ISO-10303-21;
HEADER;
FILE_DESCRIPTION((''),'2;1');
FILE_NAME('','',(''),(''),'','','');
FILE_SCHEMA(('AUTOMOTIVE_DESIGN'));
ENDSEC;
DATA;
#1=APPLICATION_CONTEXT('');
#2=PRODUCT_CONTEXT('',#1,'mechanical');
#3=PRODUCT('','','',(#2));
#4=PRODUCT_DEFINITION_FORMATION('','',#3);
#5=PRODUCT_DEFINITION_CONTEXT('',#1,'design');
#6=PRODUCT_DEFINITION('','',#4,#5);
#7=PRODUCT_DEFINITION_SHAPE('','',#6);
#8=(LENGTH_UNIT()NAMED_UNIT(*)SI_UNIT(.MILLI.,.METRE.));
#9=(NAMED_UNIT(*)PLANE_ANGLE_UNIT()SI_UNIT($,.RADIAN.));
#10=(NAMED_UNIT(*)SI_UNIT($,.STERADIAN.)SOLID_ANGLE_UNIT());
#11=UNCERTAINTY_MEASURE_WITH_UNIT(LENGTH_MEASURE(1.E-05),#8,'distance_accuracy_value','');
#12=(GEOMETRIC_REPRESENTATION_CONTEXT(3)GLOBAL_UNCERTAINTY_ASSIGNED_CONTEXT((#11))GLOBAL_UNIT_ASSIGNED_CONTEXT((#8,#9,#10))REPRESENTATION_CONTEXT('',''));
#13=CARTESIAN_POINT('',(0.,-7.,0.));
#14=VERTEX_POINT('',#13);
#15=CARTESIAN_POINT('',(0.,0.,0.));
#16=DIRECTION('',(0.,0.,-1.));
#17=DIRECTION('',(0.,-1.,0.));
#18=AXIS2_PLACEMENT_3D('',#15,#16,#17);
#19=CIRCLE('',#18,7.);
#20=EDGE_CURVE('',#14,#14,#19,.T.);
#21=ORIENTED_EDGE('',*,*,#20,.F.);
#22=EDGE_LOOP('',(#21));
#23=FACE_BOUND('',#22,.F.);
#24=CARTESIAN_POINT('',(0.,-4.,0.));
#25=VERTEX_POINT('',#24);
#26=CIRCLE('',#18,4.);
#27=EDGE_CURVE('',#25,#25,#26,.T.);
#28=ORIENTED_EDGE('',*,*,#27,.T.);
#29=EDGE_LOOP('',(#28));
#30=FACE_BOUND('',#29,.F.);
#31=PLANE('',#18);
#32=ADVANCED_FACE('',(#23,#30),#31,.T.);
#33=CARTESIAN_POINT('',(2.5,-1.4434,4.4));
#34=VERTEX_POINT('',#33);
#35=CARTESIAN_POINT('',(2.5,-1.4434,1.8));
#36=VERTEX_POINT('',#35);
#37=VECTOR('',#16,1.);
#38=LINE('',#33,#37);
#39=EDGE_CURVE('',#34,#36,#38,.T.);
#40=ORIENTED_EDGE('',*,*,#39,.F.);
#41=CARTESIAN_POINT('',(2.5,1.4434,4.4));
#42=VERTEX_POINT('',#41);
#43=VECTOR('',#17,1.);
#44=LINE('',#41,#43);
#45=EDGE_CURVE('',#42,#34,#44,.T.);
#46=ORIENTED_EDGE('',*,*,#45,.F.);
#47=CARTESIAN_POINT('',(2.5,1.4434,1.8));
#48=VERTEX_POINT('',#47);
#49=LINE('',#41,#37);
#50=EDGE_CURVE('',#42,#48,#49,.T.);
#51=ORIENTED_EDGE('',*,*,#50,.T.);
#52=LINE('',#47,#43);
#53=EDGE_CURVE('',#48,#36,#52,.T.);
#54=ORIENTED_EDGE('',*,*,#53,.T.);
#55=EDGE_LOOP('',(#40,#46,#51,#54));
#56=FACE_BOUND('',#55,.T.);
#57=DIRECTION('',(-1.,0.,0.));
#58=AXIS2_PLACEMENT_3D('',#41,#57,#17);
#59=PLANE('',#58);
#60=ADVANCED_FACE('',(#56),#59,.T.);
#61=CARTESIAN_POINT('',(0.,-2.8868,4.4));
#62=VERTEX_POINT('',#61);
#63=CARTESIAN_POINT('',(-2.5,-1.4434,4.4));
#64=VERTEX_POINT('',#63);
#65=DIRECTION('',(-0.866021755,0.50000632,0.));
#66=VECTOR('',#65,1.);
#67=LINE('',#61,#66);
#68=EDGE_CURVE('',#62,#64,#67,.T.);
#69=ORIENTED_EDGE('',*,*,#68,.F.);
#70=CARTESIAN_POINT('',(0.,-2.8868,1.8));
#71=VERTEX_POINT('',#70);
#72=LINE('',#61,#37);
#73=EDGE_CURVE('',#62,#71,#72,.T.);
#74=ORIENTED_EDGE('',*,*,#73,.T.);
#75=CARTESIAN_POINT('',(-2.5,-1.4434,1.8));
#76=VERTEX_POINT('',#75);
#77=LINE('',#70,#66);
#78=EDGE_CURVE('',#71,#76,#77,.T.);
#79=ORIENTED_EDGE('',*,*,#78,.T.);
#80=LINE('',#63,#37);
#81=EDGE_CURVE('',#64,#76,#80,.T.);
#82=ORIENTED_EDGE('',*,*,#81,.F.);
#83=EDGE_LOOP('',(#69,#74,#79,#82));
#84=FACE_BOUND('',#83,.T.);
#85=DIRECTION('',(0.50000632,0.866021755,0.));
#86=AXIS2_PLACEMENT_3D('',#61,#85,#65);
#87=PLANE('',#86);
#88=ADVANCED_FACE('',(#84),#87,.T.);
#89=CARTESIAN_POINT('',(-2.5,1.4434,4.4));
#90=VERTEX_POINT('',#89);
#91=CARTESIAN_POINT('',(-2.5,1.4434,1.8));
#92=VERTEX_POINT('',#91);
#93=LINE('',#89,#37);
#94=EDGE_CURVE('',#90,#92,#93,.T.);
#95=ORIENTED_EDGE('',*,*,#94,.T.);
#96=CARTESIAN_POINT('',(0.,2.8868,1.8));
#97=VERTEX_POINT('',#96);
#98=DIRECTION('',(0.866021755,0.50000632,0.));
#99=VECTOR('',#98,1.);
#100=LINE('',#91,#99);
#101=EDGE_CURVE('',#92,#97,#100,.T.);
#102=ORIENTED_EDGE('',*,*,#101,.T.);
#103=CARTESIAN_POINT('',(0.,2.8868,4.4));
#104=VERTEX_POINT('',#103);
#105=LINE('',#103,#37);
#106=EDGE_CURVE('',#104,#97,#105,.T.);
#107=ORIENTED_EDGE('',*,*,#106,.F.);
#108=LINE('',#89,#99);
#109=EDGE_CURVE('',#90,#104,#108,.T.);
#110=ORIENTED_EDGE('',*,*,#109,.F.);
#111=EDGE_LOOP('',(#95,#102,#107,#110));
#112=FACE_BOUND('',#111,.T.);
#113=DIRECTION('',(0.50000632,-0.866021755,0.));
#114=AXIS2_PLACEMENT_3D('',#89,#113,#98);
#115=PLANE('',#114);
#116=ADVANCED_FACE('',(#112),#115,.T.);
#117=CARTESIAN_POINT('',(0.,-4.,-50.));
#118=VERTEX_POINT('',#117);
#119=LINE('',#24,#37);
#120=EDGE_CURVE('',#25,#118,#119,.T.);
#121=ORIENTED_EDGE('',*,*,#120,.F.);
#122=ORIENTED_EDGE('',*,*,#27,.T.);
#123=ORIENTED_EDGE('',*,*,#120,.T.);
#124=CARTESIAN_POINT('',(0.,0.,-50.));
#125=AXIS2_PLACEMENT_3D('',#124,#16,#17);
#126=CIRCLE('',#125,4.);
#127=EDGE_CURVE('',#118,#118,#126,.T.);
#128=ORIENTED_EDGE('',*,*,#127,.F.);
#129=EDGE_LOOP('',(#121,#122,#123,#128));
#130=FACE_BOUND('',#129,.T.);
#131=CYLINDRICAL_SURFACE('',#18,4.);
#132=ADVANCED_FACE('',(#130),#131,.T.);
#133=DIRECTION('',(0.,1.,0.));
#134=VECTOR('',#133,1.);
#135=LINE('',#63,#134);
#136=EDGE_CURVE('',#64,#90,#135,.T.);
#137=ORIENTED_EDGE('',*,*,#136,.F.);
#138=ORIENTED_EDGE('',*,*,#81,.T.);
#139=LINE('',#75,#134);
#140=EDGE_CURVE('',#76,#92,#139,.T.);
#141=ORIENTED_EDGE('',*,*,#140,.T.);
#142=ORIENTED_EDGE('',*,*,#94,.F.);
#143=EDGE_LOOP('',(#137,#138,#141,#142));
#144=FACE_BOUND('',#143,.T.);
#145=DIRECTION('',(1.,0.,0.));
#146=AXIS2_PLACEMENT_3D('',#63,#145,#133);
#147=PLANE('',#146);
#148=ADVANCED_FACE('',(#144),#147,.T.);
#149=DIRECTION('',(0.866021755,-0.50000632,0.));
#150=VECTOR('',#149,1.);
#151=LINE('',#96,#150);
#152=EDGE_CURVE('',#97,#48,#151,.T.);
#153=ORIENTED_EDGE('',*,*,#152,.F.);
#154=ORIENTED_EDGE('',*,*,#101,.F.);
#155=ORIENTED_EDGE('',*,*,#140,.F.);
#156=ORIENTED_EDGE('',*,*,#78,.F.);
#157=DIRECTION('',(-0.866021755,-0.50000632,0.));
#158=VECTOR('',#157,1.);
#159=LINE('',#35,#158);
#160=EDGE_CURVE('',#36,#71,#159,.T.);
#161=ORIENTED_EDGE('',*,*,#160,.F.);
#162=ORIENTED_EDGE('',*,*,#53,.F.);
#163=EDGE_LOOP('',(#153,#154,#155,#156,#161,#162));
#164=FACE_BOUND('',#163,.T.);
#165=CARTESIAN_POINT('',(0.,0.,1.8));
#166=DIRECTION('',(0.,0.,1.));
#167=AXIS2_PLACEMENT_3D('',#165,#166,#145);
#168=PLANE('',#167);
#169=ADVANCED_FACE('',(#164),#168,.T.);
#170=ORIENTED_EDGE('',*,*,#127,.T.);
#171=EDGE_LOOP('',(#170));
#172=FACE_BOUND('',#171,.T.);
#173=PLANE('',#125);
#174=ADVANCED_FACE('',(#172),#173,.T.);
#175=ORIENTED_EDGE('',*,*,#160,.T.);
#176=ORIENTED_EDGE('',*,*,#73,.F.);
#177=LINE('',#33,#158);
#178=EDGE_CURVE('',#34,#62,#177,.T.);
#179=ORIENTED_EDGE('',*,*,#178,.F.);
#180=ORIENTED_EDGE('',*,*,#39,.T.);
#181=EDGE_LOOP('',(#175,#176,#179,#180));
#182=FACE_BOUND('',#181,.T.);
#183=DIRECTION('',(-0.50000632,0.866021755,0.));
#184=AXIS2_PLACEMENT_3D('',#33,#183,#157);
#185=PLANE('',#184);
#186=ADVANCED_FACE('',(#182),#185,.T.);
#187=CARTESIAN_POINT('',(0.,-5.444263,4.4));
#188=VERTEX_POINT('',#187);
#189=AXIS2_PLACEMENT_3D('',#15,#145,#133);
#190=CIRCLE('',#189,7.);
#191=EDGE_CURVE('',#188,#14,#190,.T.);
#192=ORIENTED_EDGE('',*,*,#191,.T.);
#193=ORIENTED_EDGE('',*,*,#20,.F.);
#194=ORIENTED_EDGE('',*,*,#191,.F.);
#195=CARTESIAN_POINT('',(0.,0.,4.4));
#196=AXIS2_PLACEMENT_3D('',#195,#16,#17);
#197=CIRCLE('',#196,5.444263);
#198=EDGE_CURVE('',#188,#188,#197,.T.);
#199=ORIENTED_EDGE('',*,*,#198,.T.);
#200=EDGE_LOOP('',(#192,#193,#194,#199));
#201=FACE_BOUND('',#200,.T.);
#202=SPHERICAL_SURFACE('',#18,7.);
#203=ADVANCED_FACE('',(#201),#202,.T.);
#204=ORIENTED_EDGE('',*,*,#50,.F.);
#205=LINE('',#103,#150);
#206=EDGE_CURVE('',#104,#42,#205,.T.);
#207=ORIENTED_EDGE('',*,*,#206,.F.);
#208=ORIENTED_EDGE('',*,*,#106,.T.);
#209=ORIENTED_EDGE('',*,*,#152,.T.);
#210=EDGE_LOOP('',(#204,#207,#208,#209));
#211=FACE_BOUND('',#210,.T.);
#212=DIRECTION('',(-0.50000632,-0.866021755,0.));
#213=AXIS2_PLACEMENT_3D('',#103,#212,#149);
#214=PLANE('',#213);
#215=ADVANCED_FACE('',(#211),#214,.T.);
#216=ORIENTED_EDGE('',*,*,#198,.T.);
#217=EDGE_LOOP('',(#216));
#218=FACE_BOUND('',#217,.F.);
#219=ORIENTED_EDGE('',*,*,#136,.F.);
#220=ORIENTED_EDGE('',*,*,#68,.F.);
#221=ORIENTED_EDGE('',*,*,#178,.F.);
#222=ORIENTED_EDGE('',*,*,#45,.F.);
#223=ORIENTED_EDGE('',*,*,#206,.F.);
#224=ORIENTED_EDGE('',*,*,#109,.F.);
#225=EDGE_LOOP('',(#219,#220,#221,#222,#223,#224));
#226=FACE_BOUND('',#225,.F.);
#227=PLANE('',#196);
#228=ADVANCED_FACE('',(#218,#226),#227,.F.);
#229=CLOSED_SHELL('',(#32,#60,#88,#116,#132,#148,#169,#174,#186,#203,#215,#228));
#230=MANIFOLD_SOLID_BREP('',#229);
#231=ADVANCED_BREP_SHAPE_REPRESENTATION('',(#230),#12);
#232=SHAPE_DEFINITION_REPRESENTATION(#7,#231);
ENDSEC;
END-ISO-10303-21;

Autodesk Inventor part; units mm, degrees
ref_plane "YZ Plane" through (0, 0, 0) normal (1, 0, 0) x (0, 1, 0)
ref_plane "XZ Plane" through (0, 0, 0) normal (0, 1, 0) x (-1, 0, 0)
ref_plane "XY Plane" through (0, 0, 0) normal (0, 0, 1) x (1, 0, 0)
sketch "Sketch1" plane through (0, 0, 0) normal (1, 0, 0) x (0, 1, 0)
  line L0 (0, 0) -> (-4, 0)
  line L1 (-4, 0) -> (-4, -50)
  line L2 (-4, -50) -> (0, -50)
  line L3 (0, -50) -> (0, 0)
  line L4 (0, 0) -> (-7, 0)
  line L5 (-7, 0) -> (-7, 4.4)
  line L6 (-7, 4.4) -> (0, 4.4)
  line L7 (0, 4.4) -> (0, 0)
  circle A0 centre (0, 0) radius 7
  point P0 (-5.4443, 4.4)
  dimension "d0" = 4
  dimension "d1" = 50
  dimension "d2" = 7
  dimension "d3" = 4.4
revolve "Revolution1" add sketch "Sketch1" angle 360 about axis through (0, 0, 4.4) along (0, 0, -1) contours L3 A0 L1 L0 | L0 L4 A0 L6 L7 | L3 L2 L1 A0
sketch "Sketch2" plane through (0, 0, 4.4) normal (0, 0, 1) x (1, 0, 0)
  line L0 (2.5, -1.4434) -> (0, -2.8868)
  line L1 (0, -2.8868) -> (-2.5, -1.4434)
  line L2 (-2.5, -1.4434) -> (-2.5, 1.4434)
  line L3 (-2.5, 1.4434) -> (0, 2.8868)
  line L4 (0, 2.8868) -> (2.5, 1.4434)
  line L5 (2.5, 1.4434) -> (2.5, -1.4434)
  point P0 (0, 0)
  point P1 (0, 0)
  dimension "d5" = 5
extrude "Extrusion1" cut sketch "Sketch2" against normal blind 2.6
thread "Thread1" size "M8x1.25" class "6g" standard "ANSI Metric M Profile" full length
properties part number "M8 x 50 Button Head Bolt"
